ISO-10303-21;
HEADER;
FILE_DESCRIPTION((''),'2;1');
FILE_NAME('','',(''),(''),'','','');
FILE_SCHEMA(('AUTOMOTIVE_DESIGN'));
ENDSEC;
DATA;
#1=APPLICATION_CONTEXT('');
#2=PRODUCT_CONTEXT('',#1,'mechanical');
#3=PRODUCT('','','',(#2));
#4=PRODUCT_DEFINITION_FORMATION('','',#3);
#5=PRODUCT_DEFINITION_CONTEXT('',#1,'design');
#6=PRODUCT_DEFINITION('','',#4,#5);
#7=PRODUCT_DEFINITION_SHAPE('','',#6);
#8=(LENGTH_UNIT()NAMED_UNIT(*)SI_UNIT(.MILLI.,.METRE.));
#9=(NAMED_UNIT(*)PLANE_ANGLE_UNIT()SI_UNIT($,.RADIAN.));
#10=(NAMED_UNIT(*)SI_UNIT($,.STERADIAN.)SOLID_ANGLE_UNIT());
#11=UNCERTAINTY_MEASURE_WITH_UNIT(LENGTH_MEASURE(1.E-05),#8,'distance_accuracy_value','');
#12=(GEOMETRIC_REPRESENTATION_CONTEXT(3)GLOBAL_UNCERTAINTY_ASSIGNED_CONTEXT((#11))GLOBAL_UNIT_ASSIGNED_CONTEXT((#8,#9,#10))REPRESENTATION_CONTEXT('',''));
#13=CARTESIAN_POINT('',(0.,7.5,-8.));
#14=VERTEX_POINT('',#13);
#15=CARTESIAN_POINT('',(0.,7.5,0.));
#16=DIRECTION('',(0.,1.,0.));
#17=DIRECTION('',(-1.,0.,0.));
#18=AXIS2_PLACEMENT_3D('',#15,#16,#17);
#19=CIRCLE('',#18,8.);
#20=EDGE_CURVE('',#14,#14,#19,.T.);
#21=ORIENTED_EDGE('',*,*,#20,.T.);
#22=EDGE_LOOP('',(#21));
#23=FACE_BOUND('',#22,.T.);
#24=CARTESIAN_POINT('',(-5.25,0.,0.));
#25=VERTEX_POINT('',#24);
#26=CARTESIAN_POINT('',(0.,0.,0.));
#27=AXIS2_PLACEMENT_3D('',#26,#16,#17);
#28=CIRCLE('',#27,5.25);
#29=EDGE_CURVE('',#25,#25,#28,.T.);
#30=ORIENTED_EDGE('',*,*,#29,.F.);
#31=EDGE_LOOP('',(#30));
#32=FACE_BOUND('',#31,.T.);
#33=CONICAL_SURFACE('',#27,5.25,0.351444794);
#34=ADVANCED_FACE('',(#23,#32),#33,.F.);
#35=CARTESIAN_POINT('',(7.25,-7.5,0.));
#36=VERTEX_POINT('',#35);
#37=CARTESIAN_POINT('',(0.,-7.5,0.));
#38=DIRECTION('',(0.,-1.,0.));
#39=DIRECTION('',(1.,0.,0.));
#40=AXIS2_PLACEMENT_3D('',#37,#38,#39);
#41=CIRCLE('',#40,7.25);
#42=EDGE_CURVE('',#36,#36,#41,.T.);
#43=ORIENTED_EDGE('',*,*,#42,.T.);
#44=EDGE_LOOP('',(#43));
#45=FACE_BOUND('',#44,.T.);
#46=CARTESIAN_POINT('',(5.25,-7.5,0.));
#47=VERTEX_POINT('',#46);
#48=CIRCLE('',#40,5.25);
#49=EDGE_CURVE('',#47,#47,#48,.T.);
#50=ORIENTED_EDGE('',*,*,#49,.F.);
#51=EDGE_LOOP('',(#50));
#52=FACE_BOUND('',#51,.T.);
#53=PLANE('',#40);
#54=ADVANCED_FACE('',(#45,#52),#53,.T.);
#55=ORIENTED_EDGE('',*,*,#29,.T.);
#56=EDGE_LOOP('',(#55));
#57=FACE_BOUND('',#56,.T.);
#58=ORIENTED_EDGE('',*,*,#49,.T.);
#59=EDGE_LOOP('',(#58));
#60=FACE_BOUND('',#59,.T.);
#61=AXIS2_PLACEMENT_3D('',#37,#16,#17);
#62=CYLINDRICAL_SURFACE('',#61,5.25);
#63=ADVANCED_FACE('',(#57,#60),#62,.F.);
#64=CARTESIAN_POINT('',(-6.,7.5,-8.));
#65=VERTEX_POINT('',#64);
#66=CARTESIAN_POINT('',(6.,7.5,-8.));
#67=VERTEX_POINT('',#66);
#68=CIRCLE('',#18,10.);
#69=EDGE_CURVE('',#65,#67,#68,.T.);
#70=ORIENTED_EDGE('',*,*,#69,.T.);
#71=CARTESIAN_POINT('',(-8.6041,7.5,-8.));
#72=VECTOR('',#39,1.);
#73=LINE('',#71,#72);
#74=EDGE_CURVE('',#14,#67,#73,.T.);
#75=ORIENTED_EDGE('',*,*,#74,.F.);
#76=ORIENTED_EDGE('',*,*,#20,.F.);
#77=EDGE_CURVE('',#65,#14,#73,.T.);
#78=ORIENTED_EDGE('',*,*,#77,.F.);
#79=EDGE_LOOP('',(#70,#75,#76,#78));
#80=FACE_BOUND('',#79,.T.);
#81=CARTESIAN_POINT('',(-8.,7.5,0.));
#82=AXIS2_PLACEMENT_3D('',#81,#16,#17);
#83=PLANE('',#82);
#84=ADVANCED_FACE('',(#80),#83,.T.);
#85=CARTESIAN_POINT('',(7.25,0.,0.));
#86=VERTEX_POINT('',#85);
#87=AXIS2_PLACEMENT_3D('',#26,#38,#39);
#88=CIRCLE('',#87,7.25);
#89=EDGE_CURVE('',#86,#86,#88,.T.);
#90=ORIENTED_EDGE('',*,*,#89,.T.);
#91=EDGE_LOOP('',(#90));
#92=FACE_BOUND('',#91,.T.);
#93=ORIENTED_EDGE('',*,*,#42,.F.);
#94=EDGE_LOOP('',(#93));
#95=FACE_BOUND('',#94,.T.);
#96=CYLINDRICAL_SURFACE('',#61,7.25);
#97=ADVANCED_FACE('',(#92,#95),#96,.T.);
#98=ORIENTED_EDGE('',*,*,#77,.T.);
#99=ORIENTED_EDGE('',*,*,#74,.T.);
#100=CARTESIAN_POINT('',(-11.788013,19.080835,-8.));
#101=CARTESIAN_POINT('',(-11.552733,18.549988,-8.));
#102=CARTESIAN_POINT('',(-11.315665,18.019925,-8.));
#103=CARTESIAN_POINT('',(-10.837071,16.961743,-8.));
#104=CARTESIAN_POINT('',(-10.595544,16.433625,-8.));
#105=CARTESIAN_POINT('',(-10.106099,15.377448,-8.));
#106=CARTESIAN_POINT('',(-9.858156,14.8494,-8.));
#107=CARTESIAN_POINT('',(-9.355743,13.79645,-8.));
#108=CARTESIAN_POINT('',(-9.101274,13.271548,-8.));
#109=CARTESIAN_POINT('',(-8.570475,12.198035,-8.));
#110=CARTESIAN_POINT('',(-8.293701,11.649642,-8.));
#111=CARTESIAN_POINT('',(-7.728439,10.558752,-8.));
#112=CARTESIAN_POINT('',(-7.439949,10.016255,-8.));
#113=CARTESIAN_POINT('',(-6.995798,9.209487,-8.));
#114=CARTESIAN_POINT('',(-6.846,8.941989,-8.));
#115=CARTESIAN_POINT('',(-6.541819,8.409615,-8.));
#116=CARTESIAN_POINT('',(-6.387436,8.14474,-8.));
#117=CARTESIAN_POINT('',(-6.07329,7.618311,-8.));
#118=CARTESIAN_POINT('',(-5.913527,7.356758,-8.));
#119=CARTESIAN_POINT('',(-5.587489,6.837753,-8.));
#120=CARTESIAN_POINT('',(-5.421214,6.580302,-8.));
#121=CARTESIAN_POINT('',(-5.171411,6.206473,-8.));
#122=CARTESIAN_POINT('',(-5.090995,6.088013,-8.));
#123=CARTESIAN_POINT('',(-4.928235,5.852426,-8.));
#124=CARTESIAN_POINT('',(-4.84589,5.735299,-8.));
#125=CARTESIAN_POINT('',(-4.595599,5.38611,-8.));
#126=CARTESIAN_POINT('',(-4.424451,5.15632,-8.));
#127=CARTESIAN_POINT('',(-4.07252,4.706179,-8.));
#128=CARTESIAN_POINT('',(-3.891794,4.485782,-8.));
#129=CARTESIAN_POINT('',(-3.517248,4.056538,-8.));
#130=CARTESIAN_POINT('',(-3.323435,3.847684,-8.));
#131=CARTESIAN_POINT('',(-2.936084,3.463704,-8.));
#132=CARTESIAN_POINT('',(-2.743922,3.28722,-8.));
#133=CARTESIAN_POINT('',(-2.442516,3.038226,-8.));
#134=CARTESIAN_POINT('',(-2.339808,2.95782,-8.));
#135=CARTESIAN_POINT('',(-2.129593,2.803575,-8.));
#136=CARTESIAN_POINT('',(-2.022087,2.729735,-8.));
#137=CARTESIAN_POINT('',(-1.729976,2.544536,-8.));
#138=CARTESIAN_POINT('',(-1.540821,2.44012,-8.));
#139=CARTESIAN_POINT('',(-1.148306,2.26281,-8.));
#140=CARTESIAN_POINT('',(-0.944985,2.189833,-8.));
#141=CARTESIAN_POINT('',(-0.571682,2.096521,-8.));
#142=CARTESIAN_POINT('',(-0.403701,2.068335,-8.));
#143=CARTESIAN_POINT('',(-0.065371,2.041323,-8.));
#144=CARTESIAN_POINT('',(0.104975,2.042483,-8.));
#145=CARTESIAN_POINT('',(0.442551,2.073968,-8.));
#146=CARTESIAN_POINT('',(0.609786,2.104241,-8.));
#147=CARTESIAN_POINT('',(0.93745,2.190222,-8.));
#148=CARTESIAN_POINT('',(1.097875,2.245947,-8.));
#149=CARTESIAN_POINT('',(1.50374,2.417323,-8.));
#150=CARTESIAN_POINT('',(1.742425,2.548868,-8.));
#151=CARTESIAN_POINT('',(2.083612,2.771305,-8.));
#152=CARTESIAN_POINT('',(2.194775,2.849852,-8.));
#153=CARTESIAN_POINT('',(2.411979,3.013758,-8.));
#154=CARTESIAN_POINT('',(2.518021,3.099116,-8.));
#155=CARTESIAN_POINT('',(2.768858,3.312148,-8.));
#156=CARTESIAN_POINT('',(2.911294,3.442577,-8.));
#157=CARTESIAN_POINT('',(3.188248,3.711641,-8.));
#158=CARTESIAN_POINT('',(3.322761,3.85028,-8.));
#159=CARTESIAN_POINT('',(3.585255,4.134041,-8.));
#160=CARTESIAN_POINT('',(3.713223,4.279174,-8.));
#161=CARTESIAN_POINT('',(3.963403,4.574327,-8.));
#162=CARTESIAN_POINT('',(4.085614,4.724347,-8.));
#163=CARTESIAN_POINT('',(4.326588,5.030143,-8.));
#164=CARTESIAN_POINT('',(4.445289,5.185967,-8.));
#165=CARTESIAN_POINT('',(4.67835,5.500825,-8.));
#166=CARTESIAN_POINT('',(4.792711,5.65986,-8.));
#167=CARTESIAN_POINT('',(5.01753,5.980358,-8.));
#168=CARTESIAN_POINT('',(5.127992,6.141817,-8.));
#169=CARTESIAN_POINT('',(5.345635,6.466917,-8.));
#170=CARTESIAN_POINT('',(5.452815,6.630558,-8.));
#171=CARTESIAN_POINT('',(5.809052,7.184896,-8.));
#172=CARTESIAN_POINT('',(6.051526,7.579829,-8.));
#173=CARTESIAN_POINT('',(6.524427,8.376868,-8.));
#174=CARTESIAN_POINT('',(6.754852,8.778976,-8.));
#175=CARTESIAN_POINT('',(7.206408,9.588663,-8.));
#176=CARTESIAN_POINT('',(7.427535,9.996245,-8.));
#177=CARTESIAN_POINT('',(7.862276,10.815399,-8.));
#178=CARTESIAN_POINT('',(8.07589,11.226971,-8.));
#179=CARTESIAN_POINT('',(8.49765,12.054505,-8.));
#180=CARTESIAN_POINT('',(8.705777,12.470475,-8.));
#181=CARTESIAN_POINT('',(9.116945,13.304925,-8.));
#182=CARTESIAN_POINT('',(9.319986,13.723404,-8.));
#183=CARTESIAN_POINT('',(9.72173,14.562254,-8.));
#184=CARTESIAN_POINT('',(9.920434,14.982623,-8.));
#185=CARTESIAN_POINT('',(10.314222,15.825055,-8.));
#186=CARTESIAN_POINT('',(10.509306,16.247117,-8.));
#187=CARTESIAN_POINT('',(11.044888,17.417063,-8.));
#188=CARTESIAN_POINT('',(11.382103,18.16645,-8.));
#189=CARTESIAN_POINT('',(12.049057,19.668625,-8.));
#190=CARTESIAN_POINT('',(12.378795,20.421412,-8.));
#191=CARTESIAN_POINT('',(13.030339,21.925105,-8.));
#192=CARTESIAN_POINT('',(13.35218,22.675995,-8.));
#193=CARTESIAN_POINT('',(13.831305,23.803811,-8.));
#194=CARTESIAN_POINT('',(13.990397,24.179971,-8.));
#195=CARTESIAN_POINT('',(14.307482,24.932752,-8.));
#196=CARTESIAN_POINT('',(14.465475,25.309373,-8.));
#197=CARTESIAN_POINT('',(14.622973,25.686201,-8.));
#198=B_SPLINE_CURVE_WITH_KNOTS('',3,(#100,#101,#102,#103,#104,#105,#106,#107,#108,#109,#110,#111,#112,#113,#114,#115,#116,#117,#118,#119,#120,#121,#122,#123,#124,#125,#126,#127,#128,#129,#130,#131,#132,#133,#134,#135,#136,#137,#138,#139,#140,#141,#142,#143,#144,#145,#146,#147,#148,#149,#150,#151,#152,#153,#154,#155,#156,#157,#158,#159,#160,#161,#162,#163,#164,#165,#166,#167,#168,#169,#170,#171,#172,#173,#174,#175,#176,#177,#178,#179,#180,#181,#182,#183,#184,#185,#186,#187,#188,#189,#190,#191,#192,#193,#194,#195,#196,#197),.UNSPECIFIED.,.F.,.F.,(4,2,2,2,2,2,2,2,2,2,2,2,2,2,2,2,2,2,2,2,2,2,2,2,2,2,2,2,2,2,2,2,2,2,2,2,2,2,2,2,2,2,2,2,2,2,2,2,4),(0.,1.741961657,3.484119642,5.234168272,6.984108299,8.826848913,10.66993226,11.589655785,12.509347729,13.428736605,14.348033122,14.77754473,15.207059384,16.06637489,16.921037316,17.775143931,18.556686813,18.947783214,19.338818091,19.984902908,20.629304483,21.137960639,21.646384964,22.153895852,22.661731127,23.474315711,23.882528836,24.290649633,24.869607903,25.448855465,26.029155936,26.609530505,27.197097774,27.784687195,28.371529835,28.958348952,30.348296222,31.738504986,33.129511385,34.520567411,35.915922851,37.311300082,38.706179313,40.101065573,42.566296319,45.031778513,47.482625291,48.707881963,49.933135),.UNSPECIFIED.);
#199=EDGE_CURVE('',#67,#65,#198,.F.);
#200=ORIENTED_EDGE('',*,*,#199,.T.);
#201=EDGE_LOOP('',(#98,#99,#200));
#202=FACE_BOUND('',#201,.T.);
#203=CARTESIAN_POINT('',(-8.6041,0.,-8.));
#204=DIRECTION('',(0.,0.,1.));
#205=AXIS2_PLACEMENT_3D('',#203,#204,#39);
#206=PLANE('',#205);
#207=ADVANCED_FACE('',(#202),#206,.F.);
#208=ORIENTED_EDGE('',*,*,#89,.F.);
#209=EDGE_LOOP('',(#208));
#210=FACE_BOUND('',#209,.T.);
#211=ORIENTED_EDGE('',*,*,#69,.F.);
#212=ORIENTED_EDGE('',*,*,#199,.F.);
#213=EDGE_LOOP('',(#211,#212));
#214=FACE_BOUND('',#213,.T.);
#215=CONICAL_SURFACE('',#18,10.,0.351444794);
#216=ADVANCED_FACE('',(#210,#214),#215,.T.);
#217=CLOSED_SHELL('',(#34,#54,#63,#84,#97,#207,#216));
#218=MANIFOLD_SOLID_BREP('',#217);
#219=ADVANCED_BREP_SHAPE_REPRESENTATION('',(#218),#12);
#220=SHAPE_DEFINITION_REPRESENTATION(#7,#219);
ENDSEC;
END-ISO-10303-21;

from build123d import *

# Parameters (mm, degrees)
CROQUIS2_R              = 7.25
CROQUIS2_R_2            = 5.25
SALIENTE_EXTRUIR1_DEPTH = 7.5
CORTAR_EXTRUIR1_DEPTH   = 7.5


with BuildPart() as part:
    # Croquis1 → Revolución1 (revolve)
    with BuildSketch(Plane.XY):
        Polygon((-5.25, 0), (-8, 7.5), (-10, 7.5), (-7.25, 0), align=None)
    revolve(axis=Axis((0, 7.5, 0), (0, -1, 0)))

    # Croquis2 → Saliente-Extruir1 (add)
    with BuildSketch(Plane.XZ):
        Circle(CROQUIS2_R)
        Circle(CROQUIS2_R_2, mode=Mode.SUBTRACT)
    extrude(amount=SALIENTE_EXTRUIR1_DEPTH)

    # Croquis4 → Cortar-Extruir1 (cut)
    with BuildSketch(Plane(origin=(0, 7.5, 0), x_dir=(1, 0, 0), z_dir=(0, 1, 0))):
        Polygon((-8.604100246, 8), (8.604100246, 8), (0, 12.592023512), align=None)
    extrude(amount=-CORTAR_EXTRUIR1_DEPTH, mode=Mode.SUBTRACT)


solid = part.part
